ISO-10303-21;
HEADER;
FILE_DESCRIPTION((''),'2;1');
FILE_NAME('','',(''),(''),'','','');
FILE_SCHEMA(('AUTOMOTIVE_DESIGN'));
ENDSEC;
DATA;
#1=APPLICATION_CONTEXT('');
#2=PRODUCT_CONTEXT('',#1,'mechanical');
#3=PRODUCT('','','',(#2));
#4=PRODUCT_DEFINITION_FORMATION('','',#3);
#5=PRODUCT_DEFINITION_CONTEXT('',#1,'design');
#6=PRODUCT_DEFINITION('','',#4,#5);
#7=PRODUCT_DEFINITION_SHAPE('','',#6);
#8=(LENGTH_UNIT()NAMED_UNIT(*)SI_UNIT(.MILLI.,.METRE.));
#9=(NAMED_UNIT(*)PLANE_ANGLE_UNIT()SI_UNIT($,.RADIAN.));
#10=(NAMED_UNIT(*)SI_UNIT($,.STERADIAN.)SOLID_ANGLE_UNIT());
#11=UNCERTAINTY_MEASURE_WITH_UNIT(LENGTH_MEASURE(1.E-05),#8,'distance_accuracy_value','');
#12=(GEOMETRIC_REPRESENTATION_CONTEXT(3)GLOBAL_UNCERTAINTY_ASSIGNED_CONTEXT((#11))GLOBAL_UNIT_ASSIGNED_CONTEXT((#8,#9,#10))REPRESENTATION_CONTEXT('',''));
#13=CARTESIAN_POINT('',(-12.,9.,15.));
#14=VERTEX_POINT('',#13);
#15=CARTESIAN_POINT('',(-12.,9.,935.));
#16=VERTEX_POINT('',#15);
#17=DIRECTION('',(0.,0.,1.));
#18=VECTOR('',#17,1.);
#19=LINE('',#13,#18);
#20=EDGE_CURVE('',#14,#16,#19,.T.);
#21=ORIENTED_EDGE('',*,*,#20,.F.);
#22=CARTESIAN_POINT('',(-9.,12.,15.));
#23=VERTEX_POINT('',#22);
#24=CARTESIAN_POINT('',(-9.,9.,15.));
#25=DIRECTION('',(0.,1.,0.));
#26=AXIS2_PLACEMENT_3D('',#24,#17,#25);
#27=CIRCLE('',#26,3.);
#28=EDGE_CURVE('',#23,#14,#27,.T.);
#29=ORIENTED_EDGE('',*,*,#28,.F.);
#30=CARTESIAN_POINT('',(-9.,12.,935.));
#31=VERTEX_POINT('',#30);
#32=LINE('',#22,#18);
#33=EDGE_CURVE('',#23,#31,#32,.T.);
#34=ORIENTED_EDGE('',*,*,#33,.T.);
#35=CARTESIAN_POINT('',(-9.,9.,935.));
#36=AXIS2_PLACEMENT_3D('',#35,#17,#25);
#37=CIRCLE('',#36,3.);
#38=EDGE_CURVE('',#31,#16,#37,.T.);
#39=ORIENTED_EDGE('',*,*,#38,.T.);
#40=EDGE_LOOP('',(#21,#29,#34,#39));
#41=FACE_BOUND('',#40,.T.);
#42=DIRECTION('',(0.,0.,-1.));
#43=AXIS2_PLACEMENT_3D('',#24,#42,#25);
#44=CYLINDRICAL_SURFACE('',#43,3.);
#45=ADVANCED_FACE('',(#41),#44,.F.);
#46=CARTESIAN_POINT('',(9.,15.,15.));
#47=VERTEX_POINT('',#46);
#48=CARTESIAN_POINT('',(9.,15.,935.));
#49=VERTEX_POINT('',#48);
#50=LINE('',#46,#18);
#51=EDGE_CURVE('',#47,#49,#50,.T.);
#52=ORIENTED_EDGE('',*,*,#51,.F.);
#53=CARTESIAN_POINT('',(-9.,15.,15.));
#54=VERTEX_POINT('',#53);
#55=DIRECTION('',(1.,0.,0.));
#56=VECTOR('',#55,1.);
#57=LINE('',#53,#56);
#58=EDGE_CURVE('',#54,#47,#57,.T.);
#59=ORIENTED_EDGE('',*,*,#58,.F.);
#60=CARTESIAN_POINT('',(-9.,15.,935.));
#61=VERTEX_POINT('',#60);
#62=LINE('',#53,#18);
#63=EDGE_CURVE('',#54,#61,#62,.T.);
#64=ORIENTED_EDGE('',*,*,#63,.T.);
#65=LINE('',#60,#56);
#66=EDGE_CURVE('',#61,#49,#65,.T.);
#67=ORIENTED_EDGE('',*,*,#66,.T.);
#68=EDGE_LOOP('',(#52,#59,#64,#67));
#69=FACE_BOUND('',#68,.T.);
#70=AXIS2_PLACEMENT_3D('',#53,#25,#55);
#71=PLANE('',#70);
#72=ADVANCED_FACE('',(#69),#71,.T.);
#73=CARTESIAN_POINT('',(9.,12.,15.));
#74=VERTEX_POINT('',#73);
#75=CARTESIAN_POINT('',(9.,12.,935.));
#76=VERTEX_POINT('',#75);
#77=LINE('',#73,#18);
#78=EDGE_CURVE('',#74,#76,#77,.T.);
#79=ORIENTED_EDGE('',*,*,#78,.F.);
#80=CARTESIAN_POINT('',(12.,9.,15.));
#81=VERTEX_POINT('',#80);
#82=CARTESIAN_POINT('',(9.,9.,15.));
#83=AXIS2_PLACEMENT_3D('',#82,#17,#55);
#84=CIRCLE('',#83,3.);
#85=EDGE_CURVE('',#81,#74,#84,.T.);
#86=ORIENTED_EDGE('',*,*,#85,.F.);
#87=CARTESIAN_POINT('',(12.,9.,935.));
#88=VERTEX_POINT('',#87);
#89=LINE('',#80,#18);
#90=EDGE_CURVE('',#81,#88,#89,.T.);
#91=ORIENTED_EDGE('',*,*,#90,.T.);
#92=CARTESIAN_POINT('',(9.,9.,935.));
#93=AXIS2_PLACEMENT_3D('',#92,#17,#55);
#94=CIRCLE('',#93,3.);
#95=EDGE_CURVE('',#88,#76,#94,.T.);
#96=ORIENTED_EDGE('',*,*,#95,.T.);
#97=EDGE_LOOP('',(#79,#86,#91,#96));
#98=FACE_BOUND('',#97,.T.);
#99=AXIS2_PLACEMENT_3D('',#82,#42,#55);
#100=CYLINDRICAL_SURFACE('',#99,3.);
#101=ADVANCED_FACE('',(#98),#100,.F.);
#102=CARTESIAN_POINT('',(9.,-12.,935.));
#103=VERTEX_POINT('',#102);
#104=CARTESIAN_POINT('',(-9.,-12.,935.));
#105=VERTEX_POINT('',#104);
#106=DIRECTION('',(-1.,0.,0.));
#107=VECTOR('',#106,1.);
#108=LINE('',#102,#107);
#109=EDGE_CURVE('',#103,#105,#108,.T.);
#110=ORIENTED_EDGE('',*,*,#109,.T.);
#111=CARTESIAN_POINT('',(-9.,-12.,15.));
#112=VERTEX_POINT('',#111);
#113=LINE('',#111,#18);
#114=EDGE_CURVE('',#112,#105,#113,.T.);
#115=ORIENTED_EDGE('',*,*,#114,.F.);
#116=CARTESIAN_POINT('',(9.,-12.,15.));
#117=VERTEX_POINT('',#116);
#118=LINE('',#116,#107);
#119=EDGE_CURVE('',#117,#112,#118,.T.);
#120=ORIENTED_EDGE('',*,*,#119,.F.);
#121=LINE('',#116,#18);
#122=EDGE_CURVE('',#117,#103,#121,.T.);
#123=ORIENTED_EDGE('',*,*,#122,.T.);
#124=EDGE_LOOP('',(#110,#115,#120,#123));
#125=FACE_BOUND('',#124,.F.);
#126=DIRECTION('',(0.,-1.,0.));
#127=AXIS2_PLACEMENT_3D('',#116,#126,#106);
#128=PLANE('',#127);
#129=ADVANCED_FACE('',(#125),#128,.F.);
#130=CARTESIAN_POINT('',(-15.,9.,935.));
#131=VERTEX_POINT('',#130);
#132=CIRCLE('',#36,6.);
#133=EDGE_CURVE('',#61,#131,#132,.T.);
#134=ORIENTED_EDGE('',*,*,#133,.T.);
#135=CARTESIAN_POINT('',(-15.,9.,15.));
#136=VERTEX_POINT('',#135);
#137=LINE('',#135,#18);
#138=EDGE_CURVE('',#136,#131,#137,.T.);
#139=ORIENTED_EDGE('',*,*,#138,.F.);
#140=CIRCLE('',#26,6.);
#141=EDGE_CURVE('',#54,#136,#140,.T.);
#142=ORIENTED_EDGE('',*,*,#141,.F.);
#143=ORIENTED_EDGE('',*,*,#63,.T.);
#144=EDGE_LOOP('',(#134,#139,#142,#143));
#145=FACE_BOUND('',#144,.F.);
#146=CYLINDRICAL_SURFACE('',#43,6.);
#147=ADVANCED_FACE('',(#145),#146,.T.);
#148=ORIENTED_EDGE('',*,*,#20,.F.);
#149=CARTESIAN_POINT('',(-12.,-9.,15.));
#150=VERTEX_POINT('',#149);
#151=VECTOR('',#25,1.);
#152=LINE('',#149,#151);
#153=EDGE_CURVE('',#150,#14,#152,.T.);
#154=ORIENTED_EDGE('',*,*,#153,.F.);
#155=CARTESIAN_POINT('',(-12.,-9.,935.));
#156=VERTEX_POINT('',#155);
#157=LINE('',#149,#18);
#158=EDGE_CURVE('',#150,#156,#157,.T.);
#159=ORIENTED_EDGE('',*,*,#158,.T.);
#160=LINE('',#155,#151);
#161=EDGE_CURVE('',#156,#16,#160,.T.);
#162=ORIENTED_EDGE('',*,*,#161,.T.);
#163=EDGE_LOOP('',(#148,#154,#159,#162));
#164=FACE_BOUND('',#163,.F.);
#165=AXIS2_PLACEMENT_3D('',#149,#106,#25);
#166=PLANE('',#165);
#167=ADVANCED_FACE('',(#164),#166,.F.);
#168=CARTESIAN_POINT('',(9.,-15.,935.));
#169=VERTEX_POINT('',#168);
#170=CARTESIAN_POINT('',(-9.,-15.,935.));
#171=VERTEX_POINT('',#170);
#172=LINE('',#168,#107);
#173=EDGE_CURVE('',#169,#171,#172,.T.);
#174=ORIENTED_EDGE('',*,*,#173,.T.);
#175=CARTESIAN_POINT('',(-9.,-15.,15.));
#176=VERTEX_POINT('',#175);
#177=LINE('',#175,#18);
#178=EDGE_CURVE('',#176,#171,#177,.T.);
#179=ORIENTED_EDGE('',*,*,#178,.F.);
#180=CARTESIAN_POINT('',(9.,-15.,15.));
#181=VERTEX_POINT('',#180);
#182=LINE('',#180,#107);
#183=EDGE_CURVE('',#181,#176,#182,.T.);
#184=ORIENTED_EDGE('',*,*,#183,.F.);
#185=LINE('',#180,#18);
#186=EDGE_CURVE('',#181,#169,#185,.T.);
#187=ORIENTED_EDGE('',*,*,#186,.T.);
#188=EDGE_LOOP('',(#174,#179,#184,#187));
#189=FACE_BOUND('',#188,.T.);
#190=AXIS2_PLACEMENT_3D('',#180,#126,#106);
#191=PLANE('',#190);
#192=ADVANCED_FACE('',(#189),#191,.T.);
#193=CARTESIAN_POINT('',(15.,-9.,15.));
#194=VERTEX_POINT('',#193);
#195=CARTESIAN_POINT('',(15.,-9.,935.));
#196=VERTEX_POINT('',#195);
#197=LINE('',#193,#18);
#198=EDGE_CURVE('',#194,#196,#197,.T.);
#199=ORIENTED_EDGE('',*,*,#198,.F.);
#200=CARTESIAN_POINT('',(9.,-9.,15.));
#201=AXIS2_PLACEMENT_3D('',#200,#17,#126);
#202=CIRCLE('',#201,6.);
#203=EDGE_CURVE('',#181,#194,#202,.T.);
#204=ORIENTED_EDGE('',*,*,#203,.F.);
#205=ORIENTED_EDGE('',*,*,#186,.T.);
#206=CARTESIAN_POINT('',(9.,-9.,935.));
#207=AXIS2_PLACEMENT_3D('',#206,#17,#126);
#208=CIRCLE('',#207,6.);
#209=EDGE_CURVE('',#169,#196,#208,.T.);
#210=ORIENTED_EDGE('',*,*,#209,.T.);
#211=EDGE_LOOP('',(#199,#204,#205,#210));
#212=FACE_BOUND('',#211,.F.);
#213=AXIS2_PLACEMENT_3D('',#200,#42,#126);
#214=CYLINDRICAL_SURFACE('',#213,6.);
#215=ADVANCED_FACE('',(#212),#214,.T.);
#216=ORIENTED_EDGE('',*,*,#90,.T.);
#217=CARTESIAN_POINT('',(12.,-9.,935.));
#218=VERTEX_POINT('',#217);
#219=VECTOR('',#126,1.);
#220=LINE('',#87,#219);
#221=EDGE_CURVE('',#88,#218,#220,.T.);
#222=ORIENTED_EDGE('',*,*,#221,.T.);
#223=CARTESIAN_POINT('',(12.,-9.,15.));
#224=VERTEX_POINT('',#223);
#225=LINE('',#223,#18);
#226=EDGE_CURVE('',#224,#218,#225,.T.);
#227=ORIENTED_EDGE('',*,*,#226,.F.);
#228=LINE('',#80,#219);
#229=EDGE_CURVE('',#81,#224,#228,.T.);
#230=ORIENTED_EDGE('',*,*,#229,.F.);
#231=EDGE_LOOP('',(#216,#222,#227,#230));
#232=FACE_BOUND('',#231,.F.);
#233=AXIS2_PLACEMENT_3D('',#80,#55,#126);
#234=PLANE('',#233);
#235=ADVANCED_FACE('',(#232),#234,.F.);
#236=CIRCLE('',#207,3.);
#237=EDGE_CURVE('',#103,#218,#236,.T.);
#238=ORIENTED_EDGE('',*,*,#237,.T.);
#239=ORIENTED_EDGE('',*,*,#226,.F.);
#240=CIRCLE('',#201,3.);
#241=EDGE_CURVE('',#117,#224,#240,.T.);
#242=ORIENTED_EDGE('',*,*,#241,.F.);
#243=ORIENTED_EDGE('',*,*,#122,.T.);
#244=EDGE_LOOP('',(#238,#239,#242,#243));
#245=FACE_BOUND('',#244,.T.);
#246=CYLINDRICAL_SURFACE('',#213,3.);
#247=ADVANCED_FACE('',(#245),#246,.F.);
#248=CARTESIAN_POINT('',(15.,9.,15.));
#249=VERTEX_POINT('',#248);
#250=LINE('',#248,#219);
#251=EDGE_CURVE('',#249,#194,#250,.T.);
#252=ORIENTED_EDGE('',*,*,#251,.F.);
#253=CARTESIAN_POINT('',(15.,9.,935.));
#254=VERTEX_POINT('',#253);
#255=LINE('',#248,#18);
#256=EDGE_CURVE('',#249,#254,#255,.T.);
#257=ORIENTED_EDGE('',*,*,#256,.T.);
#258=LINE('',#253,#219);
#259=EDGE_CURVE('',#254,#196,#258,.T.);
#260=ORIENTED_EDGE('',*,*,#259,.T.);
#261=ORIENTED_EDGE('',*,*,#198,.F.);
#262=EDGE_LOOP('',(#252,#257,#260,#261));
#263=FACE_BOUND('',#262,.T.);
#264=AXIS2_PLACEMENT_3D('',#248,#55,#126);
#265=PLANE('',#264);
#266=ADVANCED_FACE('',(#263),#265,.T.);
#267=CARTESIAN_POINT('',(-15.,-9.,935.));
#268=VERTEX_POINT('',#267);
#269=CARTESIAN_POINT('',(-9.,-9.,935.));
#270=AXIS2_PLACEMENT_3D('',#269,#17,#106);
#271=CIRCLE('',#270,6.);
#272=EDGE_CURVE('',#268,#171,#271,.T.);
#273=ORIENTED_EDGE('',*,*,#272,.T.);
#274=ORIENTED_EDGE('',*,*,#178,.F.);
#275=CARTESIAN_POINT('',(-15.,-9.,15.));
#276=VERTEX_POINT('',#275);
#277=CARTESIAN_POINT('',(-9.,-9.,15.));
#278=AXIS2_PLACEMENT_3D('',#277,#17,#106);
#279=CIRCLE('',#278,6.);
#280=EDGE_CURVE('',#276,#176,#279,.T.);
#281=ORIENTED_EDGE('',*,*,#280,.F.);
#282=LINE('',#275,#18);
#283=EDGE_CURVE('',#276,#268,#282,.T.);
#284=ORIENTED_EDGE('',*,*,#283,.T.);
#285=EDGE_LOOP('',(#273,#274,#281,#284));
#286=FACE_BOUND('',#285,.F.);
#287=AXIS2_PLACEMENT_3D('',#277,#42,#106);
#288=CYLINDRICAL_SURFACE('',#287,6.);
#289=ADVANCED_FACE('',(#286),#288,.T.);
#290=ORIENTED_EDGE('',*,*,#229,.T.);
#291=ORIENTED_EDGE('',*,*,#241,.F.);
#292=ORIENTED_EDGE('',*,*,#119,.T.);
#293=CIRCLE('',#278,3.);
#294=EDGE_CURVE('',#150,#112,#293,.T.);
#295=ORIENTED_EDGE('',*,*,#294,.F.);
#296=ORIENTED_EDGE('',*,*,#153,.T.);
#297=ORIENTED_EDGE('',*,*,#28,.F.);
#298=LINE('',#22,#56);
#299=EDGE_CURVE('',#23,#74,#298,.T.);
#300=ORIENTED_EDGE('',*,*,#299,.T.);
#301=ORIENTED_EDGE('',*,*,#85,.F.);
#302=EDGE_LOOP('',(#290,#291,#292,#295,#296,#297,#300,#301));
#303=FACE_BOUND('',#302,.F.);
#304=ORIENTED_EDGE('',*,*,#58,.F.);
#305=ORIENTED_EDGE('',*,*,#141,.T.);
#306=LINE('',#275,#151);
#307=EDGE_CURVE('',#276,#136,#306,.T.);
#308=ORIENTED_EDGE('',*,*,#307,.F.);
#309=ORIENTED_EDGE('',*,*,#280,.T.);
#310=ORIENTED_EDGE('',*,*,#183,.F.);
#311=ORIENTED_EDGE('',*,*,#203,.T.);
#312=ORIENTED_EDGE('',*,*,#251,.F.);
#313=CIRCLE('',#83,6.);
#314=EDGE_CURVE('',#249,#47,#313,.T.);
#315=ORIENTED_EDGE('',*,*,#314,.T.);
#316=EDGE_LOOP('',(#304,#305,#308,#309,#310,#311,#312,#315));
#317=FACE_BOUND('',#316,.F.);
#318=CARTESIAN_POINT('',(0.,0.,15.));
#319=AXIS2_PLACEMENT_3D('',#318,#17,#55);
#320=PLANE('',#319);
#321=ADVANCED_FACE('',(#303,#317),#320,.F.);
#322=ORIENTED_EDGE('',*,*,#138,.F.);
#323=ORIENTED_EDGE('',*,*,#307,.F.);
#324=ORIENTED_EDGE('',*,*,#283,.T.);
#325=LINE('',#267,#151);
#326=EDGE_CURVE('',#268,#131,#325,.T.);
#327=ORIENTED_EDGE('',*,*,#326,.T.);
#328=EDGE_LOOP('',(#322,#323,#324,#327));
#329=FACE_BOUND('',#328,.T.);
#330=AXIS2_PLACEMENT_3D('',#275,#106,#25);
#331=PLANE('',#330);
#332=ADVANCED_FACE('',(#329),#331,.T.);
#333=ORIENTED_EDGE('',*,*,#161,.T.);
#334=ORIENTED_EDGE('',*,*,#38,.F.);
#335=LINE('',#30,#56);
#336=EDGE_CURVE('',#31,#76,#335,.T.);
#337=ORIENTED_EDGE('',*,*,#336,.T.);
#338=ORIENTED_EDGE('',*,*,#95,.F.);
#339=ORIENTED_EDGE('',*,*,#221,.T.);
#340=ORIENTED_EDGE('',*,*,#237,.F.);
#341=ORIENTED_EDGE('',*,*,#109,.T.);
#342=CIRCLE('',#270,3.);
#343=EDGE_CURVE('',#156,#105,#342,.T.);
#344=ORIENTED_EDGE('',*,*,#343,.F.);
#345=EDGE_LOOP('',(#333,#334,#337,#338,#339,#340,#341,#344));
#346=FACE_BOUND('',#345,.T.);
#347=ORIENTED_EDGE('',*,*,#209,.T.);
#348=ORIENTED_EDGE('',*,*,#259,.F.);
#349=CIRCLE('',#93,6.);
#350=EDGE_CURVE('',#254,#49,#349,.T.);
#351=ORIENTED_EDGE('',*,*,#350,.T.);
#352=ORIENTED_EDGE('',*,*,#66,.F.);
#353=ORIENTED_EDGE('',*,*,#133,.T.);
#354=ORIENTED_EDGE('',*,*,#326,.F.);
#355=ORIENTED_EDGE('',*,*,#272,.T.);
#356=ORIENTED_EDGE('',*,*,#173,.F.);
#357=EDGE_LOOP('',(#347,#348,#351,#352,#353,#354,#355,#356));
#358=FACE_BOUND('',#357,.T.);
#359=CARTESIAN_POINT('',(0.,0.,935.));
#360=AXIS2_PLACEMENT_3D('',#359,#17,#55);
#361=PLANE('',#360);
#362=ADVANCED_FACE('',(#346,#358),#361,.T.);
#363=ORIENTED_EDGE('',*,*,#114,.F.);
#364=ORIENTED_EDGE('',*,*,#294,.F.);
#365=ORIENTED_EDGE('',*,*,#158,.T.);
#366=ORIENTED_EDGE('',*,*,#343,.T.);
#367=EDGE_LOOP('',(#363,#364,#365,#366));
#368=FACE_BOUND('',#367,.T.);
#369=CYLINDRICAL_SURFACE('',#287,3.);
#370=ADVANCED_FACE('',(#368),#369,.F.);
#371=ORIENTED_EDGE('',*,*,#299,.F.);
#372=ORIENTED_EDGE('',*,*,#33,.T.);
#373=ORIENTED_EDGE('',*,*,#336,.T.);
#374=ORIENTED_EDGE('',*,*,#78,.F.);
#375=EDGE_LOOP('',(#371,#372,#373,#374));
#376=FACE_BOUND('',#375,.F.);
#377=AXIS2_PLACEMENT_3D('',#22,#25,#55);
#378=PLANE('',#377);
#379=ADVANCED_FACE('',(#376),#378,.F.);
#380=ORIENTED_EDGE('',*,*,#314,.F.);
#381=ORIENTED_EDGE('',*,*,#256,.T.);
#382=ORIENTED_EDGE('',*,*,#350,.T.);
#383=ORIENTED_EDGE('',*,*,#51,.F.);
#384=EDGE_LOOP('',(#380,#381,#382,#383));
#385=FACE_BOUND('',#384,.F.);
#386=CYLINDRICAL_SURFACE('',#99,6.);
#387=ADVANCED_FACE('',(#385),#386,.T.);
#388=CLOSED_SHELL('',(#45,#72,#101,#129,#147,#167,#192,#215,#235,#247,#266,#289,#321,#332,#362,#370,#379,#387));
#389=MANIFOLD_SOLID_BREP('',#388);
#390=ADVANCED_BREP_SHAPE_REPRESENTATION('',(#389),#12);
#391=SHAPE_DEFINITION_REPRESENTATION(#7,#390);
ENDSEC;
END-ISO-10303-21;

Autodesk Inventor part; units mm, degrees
ref_plane "Start Plane" through (0, 0, 15) normal (0, 0, 1) x (1, 0, 0)
ref_plane "End Plane" through (0, 0, 935) normal (0, 0, 1) x (1, 0, 0)
sketch "Sketch" plane through (0, 0, 0) normal (0, 0, 1) x (1, 0, 0)
  line L0 (-15, -9) -> (-15, 9)
  line L1 (-9, 15) -> (9, 15)
  line L2 (15, 9) -> (15, -9)
  line L3 (9, -15) -> (-9, -15)
  arc A0 (-15, -9) -> (-9, -15) centre (-9, -9) ccw
  arc A1 (-9, 15) -> (-15, 9) centre (-9, 9) ccw
  arc A2 (15, 9) -> (9, 15) centre (9, 9) ccw
  arc A3 (9, -15) -> (15, -9) centre (9, -9) ccw
  arc A4 (-9, 12) -> (-12, 9) centre (-9, 9) ccw
  line L4 (-9, 12) -> (9, 12)
  arc A5 (12, 9) -> (9, 12) centre (9, 9) ccw
  line L5 (12, 9) -> (12, -9)
  arc A6 (9, -12) -> (12, -9) centre (9, -9) ccw
  line L6 (9, -12) -> (-9, -12)
  arc A7 (-12, -9) -> (-9, -12) centre (-9, -9) ccw
  line L7 (-12, -9) -> (-12, 9)
  line L8 (0, 22.7397) -> (0, -22.7397) construction
  line L9 (-22.7397, 0) -> (22.7397, 0) construction
  dimension "d7" = 6
  dimension "d10" = 30
  dimension "d11" = 30
  dimension "d12" = 3
  dimension "d15" = 15
  dimension "d16" = 15
extrude "Body" add sketch "Sketch" along normal up to surface (920 mm away) from surface at 15
sketch "Sketch3" plane through (0, 0, 0) normal (0, 0, 1) x (1, 0, 0)
  line L0 (0, 0) -> (10, 0)
ref_plane "Work Plane3" through (0, 0, 0) normal (0, -1, 0) x (1, 0, 0)
ref_plane "Work Plane4" through (-1731, 0, 15) normal (0, 0, -1) x (-1, 0, 0)
split "Split1" plane through (-1731, 0, 15) removes the side toward (0, 0, -1)
ref_plane "Work Plane5" through (0, -991, 935) normal (0, 0, 1) x (1, 0, 0)
split "Split2" plane through (0, -991, 935) removes the side toward (0, 0, 1)
sketch "Sketch4" plane through (0, 0, 0) normal (0, -1, 0) x (1, 0, 0)
  line L0 (-2, 15) -> (12, 15) projected
  line L1 (-2, 935) -> (12, 935) projected
  dimension "d18" = 920
equation "\"d7\" = G_IR"
equation "\"d10\" = G_H"
equation "\"d11\" = G_W"
equation "\"d12\" = G_T"
equation "\"d15\" = 0.5 * d10"
equation "\"d16\" = 0.5 * d11"
equation "\"d3\" = G_L"
equation "\"G_W\" = 30"
equation "\"G_H\" = 30"
equation "\"G_T\" = 3"
equation "\"G_IR\" = 6"
equation "\"G_L\" = d18"
equation "\"G_OFFSET_START\" = -15"
equation "\"G_OFFSET_END\" = -15"
equation "\"d13\" = -G_OFFSET_START"
equation "\"d14\" = G_OFFSET_END + B_L"
equation "\"B_L\" = 950"
properties part number "DIN EN 10219-2 - 30 x 30 x 3  - 920" material "Steel, Mild"
